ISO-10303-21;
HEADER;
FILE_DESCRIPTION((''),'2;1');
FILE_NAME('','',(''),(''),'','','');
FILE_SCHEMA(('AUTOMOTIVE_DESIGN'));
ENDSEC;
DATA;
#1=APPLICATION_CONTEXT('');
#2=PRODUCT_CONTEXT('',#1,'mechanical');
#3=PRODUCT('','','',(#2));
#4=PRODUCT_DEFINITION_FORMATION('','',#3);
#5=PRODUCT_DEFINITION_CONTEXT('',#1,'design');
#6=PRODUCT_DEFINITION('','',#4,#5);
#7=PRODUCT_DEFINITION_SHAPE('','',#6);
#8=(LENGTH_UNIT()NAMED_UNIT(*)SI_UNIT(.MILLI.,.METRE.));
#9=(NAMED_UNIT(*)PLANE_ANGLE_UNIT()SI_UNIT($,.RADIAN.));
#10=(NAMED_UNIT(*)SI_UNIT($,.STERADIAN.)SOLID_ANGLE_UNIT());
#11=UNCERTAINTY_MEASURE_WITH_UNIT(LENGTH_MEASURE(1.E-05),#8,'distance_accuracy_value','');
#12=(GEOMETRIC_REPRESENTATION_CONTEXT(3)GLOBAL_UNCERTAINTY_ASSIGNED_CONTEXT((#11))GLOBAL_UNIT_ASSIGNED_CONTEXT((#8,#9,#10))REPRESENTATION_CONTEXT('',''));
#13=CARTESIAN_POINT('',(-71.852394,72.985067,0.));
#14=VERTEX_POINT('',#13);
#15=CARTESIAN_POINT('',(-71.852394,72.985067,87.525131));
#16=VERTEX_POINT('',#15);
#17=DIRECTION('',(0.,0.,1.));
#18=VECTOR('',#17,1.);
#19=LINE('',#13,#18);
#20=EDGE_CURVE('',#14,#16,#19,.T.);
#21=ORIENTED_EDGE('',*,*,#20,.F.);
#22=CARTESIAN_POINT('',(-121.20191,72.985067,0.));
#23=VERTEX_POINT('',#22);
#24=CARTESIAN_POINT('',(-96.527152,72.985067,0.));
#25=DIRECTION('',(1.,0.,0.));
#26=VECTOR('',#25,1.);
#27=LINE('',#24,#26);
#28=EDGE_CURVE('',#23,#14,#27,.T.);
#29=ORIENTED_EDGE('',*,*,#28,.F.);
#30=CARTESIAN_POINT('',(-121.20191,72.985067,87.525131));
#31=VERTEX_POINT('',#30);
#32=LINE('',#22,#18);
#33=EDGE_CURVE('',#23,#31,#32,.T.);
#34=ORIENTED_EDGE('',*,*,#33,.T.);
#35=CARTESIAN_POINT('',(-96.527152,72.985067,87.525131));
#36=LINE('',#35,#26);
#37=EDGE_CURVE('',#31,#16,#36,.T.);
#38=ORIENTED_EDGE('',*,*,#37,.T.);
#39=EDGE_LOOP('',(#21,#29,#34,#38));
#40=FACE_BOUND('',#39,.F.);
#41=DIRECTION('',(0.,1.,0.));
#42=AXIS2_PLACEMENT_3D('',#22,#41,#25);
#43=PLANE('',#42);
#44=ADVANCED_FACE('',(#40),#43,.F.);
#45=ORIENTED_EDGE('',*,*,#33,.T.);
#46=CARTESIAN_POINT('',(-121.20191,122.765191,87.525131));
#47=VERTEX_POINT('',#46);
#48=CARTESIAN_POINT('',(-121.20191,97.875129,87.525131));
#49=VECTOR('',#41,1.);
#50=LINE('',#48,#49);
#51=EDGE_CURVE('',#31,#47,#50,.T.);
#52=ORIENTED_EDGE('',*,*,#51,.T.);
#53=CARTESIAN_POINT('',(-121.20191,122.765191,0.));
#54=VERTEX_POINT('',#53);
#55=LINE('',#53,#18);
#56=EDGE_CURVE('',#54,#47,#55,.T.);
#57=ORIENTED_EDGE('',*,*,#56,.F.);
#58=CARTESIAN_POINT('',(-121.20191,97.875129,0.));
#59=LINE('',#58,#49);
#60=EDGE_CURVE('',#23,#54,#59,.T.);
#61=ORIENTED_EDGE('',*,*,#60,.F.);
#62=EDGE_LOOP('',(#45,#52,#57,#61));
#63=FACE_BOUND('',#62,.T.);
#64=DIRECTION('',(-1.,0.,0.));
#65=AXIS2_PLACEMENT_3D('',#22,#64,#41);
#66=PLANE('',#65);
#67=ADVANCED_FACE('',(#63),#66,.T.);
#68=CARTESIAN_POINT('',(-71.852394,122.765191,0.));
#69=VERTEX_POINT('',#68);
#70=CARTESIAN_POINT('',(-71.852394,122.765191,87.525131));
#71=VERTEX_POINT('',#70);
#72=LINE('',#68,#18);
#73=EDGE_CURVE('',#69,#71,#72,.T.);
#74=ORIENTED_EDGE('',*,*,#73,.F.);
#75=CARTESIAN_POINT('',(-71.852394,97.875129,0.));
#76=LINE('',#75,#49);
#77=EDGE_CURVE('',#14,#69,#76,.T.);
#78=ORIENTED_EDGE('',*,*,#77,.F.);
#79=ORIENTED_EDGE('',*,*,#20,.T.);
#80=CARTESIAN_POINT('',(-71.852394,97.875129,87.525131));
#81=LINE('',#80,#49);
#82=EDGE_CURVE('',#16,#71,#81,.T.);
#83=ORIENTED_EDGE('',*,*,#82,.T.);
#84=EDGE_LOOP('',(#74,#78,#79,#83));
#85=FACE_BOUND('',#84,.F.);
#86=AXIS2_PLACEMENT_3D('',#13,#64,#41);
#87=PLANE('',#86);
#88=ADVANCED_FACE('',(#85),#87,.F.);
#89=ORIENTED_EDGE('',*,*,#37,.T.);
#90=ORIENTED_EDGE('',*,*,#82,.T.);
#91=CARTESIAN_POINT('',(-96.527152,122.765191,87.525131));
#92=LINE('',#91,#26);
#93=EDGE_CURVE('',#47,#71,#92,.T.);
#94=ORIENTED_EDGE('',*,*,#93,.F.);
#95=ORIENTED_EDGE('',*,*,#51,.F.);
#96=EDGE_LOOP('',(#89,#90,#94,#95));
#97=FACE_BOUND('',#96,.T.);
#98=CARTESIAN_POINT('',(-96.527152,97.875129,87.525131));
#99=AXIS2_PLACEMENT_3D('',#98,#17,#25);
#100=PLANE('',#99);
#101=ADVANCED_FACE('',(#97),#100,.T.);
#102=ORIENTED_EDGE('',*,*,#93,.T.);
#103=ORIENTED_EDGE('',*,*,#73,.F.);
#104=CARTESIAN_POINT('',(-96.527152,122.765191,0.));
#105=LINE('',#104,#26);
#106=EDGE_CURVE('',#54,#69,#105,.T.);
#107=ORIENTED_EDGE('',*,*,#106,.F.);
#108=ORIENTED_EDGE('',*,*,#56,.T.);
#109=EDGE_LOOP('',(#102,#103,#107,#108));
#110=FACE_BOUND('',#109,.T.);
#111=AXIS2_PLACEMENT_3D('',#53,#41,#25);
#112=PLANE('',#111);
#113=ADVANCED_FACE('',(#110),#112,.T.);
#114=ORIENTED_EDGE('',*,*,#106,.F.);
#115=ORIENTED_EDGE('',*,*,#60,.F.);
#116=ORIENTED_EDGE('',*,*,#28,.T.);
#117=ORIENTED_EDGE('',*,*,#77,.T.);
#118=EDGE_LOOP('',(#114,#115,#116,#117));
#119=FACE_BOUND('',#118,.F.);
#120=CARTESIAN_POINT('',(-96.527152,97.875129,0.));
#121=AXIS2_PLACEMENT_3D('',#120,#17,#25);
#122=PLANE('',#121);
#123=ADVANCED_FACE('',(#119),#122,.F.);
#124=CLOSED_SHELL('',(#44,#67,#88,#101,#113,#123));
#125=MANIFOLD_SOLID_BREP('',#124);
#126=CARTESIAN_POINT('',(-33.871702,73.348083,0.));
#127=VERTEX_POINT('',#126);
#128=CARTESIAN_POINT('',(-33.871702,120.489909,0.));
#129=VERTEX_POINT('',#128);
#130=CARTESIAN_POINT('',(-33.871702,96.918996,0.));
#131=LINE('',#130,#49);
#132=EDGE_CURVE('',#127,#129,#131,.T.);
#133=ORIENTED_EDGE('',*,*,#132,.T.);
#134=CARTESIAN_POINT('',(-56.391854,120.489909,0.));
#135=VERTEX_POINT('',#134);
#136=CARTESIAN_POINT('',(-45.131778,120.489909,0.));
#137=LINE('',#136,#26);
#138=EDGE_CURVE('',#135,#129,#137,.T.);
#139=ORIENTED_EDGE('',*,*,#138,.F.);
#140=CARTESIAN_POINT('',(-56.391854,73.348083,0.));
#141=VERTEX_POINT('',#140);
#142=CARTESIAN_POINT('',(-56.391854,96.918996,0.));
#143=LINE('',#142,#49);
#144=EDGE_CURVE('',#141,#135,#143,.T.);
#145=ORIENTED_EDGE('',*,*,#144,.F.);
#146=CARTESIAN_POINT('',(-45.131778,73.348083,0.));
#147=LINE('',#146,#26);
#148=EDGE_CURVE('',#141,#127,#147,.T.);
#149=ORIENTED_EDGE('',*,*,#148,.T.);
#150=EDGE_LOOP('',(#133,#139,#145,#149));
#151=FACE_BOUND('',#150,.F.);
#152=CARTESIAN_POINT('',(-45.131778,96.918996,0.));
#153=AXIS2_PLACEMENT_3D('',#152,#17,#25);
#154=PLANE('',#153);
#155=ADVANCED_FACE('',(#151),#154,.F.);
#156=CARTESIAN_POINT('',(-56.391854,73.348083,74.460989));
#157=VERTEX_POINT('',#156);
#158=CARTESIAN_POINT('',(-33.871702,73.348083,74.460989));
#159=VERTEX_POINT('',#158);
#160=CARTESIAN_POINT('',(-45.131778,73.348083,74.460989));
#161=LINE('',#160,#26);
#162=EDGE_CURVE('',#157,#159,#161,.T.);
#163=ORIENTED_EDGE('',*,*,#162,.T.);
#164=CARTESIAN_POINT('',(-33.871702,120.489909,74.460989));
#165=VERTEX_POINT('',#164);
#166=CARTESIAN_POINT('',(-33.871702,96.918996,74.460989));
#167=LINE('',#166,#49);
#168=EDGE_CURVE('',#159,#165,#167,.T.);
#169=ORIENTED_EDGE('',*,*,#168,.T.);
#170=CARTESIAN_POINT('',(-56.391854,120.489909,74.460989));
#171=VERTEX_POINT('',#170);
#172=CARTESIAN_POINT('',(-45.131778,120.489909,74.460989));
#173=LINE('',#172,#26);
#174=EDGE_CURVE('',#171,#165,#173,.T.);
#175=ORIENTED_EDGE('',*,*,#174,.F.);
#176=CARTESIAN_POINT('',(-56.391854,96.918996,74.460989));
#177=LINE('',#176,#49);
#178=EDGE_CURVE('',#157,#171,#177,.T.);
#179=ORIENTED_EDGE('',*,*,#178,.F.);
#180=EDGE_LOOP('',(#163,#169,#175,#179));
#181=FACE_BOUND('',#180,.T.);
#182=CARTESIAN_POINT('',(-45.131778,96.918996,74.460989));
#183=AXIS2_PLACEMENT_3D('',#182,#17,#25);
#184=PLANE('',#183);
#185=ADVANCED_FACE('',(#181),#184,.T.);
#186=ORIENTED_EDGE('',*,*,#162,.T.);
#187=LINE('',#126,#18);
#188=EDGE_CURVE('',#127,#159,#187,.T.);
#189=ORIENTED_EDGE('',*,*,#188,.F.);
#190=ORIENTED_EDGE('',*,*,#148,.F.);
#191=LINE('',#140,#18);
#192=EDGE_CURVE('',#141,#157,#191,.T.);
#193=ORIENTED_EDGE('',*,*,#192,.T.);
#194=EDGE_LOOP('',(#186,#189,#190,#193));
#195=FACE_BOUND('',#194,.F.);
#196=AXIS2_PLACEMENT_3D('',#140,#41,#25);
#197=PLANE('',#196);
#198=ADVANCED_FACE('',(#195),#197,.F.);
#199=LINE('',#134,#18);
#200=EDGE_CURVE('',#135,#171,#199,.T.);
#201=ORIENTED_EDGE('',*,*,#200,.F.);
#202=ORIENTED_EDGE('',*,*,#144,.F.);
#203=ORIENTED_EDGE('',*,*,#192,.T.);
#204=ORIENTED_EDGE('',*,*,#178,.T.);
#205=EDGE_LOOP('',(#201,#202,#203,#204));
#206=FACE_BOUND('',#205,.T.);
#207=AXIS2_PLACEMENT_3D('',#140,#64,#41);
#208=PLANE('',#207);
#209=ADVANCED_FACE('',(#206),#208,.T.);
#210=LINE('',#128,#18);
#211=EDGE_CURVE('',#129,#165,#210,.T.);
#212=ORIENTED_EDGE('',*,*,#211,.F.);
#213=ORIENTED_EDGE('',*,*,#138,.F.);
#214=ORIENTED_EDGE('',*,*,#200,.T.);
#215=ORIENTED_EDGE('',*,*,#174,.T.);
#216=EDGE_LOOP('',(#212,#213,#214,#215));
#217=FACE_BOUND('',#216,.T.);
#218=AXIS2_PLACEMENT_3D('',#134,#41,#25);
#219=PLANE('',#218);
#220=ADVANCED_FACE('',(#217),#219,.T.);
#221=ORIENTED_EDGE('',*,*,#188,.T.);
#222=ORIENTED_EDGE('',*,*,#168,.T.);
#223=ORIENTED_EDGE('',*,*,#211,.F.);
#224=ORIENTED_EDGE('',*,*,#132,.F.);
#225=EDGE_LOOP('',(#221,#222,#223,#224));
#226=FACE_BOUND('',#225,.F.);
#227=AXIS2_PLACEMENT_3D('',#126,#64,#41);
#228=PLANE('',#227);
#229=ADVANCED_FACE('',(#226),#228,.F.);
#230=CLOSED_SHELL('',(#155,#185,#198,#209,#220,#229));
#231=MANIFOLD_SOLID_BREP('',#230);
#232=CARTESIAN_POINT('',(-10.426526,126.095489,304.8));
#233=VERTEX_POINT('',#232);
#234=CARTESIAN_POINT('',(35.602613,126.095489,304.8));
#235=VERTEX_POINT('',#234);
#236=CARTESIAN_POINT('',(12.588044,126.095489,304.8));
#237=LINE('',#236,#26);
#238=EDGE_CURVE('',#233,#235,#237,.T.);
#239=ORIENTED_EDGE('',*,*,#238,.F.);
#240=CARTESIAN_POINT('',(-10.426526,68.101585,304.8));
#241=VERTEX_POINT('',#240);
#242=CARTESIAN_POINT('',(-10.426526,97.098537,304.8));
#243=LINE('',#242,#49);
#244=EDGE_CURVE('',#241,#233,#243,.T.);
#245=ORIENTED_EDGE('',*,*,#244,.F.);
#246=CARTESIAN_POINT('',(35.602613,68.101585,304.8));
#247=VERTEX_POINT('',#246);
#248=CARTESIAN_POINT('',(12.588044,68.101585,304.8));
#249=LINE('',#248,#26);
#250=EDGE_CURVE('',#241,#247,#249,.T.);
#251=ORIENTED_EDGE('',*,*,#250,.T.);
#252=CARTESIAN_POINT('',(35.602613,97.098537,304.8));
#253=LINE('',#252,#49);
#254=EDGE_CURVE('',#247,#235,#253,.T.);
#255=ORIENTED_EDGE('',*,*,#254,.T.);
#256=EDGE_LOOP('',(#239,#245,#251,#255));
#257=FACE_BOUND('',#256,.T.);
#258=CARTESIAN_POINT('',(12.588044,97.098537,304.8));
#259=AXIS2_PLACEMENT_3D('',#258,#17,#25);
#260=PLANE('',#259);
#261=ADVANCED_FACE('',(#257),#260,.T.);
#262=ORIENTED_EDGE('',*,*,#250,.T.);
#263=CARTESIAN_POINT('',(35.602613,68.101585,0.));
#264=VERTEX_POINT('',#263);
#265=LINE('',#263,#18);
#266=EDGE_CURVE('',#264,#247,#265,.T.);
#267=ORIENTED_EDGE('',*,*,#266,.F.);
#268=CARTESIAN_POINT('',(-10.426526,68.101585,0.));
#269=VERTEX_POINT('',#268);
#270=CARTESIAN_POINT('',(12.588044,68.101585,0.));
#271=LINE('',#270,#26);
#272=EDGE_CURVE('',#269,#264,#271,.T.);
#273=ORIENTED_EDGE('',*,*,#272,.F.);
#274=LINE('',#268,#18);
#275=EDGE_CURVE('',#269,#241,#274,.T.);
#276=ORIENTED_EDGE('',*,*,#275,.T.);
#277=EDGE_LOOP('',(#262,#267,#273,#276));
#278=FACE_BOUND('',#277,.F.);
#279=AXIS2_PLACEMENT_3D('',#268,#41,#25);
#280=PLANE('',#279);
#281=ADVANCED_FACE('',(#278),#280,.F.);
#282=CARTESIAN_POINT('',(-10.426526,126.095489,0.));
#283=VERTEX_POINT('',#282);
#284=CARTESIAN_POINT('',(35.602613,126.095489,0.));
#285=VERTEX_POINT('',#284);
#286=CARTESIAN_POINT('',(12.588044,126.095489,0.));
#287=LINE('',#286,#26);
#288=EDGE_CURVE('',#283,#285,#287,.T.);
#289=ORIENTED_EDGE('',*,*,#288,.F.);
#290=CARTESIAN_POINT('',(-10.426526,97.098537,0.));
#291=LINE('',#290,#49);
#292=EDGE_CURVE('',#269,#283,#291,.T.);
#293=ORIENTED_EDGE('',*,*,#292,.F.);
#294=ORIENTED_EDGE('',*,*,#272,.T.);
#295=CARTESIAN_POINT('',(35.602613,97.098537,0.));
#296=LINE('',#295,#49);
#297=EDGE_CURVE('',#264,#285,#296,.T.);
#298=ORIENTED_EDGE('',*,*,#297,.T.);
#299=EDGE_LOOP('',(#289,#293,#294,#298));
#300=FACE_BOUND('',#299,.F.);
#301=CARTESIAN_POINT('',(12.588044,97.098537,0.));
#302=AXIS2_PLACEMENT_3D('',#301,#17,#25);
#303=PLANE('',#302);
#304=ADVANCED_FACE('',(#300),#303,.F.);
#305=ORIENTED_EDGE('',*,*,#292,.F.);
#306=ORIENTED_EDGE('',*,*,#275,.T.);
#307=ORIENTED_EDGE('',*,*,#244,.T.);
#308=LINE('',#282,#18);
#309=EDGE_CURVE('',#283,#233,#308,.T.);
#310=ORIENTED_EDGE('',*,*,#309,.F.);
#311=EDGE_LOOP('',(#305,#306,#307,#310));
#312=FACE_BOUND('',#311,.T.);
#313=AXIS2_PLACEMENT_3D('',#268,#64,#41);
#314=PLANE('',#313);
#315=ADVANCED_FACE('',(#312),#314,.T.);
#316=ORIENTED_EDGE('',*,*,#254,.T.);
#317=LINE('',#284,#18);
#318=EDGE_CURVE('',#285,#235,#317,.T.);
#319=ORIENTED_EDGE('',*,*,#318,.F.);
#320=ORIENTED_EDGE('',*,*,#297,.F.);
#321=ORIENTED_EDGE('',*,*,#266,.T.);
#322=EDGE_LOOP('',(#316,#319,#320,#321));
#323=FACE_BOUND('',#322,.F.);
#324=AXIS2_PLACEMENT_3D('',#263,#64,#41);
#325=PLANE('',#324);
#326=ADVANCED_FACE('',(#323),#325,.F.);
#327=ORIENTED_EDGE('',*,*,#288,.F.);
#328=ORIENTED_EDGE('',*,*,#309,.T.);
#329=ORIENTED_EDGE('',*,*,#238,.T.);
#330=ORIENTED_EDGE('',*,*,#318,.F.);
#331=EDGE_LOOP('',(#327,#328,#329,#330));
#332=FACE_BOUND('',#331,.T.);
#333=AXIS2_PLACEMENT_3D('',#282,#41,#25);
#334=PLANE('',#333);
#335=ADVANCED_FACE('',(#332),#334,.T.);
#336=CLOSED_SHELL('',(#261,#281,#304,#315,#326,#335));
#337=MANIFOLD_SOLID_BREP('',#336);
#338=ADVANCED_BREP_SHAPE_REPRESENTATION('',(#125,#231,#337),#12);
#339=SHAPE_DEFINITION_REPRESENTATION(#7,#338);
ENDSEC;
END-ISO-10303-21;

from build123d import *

# Parameters (mm, degrees)
F0_W     = 49.349517
F0_H     = 49.780123
F1_DEPTH = 87.525131
F0_W_2   = 22.520151
F0_H_2   = 47.141827
F2_DEPTH = 74.460989
F0_W_3   = 46.029139
F0_H_3   = 57.993904
F3_DEPTH = 304.8


with BuildPart() as f1:
    # F0 (on Top) → F1 (new body)
    with BuildSketch(Plane.XY):
        with Locations((-96.527152, 97.875129)):
            Rectangle(F0_W, F0_H)
    extrude(amount=F1_DEPTH)


with BuildPart() as f2:
    # F0 (on Top) → F2 (new body)
    with BuildSketch(Plane.XY):
        with Locations((-45.131778, 96.918996)):
            Rectangle(F0_W_2, F0_H_2)
    extrude(amount=F2_DEPTH)


with BuildPart() as f3:
    # F0 (on Top) → F3 (new body)
    with BuildSketch(Plane.XY):
        with Locations((12.588044, 97.098537)):
            Rectangle(F0_W_3, F0_H_3)
    extrude(amount=F3_DEPTH)


solid = Compound([f1.part, f2.part, f3.part])
